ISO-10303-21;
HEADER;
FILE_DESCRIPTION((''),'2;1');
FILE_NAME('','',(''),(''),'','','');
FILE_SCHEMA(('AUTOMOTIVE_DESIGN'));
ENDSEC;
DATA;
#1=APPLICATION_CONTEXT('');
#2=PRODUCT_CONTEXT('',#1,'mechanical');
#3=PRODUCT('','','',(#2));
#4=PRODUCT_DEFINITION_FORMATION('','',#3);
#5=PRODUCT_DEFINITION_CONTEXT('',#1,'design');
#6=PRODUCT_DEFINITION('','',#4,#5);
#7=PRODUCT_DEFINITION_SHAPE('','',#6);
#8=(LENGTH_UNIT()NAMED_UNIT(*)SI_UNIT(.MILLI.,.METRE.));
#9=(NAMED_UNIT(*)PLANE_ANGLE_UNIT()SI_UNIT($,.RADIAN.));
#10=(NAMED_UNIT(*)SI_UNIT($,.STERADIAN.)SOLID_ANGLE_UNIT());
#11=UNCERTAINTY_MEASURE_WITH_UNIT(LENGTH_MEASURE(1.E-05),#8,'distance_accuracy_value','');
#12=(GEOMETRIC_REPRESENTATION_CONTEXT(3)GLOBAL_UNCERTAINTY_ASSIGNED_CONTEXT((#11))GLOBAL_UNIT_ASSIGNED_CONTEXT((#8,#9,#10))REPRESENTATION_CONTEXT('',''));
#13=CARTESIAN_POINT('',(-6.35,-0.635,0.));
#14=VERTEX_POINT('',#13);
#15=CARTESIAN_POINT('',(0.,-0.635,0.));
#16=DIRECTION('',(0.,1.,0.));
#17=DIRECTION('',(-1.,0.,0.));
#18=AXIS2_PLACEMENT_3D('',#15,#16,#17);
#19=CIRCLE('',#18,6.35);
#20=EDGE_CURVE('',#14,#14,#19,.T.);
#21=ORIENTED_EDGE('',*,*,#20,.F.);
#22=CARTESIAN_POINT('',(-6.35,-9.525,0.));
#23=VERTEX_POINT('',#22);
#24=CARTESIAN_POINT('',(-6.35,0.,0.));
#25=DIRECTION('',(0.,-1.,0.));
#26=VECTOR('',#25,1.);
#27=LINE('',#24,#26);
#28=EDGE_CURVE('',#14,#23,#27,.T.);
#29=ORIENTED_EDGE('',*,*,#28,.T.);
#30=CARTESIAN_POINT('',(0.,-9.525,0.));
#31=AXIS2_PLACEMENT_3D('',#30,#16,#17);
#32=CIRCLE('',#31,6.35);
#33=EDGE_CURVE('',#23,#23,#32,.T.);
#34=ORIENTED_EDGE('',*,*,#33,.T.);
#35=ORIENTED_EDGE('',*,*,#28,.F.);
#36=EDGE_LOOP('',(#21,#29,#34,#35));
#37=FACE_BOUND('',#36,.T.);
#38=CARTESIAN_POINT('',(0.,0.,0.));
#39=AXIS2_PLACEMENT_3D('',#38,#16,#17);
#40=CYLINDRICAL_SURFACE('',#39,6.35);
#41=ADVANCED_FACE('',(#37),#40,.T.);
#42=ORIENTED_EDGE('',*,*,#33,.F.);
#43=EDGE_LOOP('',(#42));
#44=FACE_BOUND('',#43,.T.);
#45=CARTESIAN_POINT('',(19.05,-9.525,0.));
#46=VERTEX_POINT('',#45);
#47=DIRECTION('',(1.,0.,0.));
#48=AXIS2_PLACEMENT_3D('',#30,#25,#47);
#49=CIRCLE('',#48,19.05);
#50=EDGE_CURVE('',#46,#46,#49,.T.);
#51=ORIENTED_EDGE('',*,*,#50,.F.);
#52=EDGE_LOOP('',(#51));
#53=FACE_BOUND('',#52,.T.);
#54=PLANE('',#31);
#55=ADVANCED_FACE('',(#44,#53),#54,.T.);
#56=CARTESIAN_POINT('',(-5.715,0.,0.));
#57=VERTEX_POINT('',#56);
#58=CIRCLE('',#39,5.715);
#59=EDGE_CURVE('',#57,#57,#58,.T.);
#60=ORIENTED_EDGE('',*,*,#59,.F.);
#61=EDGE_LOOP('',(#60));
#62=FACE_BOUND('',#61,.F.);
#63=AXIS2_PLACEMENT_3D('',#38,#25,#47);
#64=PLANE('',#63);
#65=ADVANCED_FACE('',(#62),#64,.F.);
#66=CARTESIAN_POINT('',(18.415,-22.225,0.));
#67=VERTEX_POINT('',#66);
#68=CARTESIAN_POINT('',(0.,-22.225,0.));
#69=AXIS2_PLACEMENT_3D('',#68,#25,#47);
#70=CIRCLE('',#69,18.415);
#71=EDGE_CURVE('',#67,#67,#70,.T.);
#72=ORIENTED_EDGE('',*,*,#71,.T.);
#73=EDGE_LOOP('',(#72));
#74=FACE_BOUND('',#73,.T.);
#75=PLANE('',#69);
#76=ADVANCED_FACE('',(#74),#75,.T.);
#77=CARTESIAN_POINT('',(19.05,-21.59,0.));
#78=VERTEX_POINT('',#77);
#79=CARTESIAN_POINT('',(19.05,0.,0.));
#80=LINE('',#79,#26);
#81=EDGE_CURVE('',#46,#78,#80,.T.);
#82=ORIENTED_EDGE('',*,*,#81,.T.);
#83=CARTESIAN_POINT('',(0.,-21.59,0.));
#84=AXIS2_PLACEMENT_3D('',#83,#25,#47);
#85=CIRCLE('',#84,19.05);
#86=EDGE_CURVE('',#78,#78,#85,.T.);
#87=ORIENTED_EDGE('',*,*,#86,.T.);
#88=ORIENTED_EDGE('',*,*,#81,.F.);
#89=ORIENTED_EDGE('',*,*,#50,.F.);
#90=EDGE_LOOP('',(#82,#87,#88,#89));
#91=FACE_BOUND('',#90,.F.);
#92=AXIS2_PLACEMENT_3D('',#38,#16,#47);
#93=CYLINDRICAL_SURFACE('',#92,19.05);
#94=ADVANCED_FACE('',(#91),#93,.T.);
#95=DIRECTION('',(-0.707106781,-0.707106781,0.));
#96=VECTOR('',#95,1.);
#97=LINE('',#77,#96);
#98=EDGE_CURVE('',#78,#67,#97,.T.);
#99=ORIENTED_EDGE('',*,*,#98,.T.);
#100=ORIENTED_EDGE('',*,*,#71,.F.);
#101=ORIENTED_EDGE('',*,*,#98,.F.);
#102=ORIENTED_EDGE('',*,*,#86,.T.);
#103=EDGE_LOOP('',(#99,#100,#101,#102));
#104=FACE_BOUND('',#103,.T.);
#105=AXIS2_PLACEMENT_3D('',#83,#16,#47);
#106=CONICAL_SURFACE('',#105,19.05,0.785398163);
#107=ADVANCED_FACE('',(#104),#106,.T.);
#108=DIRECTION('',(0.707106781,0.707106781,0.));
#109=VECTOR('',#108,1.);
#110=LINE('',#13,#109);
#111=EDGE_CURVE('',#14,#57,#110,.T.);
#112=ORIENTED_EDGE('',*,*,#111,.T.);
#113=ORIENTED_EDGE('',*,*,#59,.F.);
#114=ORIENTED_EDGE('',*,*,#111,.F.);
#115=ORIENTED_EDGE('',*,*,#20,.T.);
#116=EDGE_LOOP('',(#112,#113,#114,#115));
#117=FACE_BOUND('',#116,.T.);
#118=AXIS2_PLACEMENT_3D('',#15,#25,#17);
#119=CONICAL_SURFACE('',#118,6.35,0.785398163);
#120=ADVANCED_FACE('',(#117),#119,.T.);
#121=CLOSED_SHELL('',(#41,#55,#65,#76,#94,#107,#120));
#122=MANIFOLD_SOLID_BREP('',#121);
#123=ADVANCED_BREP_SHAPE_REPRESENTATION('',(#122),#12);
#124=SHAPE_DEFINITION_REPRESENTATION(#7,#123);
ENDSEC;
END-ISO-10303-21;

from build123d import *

# Parameters (mm, degrees)
F0_R     = 19.05
F1_DEPTH = 22.225
F2_R     = 19.05
F2_R_2   = 6.35
F3_DEPTH = 9.525
F4_SIZE  = 0.635


with BuildPart() as f1:
    # F0 (on Front) → F1 (new body)
    with BuildSketch(Plane.XZ):
        Circle(F0_R)
    extrude(amount=F1_DEPTH)

    # F2 (on face) → F3 (cut)
    with BuildSketch(Plane(origin=(0, 0, 0), x_dir=(-1, 0, 0), z_dir=(0, 1, 0))):
        Circle(F2_R)
        Circle(F2_R_2, mode=Mode.SUBTRACT)
    extrude(amount=-F3_DEPTH, mode=Mode.SUBTRACT)

    # F4
    f4_edges = [f1.edges().sort_by_distance(p)[0] for p in [
        (6.35, 0, 0),
        (-19.05, -22.225, 0),
    ]]
    chamfer(f4_edges, length=F4_SIZE)


solid = f1.part
